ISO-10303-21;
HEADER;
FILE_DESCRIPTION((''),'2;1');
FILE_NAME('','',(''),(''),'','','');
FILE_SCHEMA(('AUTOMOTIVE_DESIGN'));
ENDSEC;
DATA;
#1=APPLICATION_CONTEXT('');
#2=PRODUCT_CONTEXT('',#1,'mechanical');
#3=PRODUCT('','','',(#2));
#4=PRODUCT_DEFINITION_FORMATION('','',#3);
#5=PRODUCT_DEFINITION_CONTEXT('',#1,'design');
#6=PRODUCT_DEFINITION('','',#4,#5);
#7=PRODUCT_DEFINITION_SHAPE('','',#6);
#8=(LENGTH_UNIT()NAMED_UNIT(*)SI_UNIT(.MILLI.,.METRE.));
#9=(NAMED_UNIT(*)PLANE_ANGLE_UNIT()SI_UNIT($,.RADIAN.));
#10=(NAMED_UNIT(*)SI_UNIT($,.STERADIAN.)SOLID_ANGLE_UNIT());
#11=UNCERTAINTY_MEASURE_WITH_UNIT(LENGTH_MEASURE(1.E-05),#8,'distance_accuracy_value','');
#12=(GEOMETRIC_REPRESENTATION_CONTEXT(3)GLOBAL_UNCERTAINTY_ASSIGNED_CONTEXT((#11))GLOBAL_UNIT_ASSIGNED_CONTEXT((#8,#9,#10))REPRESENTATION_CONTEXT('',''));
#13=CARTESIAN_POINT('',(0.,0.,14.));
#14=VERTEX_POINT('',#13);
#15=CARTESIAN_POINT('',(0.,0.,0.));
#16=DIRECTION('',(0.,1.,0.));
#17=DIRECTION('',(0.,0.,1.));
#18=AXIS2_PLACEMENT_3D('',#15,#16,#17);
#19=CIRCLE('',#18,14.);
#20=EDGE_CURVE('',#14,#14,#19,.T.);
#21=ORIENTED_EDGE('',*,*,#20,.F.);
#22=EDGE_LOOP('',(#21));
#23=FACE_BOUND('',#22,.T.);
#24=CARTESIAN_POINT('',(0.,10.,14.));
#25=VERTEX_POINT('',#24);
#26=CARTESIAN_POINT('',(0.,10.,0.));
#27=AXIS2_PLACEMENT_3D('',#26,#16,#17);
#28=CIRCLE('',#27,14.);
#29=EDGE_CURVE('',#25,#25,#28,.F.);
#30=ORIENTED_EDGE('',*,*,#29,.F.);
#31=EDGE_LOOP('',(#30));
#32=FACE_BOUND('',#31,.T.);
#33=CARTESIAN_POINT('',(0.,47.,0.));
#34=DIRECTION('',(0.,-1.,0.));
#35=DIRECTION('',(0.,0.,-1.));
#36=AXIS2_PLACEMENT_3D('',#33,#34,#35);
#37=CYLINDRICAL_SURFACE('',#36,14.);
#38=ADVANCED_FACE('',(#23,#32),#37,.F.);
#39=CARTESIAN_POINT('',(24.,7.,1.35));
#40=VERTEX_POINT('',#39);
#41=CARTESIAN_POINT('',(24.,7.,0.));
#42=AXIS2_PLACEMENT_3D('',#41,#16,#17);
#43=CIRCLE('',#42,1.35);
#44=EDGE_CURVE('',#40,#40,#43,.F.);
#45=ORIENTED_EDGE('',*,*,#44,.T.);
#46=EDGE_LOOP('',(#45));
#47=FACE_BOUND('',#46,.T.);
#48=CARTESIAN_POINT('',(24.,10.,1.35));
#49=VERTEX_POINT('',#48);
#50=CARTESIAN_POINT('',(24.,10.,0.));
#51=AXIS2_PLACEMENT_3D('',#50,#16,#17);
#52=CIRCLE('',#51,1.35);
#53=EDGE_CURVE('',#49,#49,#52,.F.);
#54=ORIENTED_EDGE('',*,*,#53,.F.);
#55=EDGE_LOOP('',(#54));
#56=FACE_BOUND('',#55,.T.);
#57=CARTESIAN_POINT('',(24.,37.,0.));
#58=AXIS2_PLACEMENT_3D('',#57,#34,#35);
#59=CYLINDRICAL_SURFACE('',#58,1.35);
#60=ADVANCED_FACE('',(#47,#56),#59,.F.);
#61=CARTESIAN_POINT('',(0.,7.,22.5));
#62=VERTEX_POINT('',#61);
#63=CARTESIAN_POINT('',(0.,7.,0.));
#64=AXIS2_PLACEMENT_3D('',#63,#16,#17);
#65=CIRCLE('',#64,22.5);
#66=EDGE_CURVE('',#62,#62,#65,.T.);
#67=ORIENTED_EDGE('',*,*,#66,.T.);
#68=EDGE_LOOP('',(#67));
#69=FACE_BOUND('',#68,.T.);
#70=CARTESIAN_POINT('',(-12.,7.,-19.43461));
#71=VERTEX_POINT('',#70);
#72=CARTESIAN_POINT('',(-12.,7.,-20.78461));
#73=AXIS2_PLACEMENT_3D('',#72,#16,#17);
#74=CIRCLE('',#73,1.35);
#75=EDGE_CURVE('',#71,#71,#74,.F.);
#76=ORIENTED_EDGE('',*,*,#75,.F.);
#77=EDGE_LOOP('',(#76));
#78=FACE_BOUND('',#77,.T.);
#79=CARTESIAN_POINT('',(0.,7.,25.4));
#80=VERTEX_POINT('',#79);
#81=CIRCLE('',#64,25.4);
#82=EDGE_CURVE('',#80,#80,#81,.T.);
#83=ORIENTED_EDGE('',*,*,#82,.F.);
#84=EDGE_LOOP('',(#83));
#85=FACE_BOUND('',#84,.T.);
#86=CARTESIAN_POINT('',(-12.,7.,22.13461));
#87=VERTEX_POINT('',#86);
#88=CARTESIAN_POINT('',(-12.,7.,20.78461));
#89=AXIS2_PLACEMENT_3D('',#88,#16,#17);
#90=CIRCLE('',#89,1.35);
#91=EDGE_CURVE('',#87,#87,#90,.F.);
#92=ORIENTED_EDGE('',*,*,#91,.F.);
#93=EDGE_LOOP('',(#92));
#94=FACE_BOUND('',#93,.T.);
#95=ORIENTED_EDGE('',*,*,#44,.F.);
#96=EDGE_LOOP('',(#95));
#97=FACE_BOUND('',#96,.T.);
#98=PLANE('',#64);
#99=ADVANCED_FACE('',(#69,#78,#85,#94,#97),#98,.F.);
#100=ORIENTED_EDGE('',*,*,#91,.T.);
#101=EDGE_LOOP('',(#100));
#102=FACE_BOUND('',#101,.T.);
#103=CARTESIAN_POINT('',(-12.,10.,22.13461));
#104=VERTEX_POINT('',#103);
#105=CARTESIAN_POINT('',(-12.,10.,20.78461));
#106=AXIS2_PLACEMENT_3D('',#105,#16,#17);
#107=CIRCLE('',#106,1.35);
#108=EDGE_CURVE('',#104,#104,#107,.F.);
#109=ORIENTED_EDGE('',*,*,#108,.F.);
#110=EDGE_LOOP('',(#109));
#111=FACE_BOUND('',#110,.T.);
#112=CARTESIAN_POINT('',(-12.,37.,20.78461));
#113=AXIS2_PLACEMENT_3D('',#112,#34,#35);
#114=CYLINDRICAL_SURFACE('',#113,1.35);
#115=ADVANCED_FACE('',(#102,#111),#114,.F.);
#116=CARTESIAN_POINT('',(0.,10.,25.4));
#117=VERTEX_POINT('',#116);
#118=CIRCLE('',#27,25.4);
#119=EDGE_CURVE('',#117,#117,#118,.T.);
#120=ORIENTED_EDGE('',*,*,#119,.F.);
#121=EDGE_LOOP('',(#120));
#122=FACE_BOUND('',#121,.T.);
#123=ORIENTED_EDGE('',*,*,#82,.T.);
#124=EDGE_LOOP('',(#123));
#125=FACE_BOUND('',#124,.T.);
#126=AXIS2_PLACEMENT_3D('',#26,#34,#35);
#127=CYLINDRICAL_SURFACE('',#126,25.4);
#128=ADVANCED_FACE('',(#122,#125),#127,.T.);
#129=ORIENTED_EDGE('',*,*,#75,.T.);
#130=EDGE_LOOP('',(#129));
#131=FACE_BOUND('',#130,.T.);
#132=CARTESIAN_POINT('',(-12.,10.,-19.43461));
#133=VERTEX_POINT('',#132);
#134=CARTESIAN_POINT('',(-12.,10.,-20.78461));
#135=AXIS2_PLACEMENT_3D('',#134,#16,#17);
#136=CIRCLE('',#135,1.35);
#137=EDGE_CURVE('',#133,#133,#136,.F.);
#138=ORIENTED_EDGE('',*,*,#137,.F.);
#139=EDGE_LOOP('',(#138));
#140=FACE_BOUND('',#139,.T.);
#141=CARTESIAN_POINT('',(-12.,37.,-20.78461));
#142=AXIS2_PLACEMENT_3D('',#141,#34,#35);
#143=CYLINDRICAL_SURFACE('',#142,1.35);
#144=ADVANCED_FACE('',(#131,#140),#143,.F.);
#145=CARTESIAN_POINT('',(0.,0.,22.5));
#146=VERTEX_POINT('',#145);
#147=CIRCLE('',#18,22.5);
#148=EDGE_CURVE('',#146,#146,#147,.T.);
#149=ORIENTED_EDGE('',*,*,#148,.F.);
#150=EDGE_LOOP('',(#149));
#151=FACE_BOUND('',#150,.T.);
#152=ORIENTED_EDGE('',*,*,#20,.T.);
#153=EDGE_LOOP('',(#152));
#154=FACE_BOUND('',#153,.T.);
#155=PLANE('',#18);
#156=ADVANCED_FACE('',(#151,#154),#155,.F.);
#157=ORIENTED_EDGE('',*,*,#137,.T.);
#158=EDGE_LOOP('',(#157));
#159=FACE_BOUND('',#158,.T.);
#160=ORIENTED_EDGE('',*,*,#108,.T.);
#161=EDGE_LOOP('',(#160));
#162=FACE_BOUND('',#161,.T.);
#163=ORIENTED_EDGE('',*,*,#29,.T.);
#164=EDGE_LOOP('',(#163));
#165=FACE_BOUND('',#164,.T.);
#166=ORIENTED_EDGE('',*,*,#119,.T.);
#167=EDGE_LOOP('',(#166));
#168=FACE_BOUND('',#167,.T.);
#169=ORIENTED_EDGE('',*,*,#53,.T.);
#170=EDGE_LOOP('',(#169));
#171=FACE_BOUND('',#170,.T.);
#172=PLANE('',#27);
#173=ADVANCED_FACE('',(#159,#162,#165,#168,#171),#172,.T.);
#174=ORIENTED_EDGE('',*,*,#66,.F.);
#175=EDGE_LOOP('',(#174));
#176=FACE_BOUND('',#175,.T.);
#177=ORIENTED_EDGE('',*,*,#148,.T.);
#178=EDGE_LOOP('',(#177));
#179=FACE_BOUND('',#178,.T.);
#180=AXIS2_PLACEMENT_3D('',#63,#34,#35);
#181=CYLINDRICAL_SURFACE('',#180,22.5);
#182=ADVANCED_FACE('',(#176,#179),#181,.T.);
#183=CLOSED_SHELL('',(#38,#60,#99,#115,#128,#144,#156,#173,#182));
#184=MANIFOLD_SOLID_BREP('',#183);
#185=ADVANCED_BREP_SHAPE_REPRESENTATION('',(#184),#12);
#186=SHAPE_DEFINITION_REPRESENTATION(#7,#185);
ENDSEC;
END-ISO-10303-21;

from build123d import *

# Parameters (mm, degrees)
CROQUIS1_R              = 25.4
SALIENTE_EXTRUIR2_DEPTH = 10
CROQUIS4_R              = 14
CORTAR_EXTRUIR2_DEPTH   = 47
CROQUIS5_R              = 25.4
CROQUIS5_R_2            = 22.5
CORTAR_EXTRUIR4_DEPTH   = 7
CROQUIS6_R              = 1.35
CORTAR_EXTRUIR5_DEPTH   = 37


with BuildPart() as part:
    # Croquis1 → Saliente-Extruir2 (new body)
    with BuildSketch(Plane(origin=(0, 0, 0), x_dir=(1, 0, 0), z_dir=(0, 1, 0))):
        Circle(CROQUIS1_R)
    extrude(amount=SALIENTE_EXTRUIR2_DEPTH)

    # Croquis4 → Cortar-Extruir2 (cut)
    with BuildSketch(Plane(origin=(0, 0, 0), x_dir=(1, 0, 0), z_dir=(0, 1, 0))):
        Circle(CROQUIS4_R)
    extrude(amount=CORTAR_EXTRUIR2_DEPTH, mode=Mode.SUBTRACT)

    # Croquis5 → Cortar-Extruir4 (cut)
    with BuildSketch(Plane(origin=(0, 0, 0), x_dir=(1, 0, 0), z_dir=(0, 1, 0))):
        Circle(CROQUIS5_R)
        Circle(CROQUIS5_R_2, mode=Mode.SUBTRACT)
    extrude(amount=CORTAR_EXTRUIR4_DEPTH, mode=Mode.SUBTRACT)

    # Croquis6 → Cortar-Extruir5 (cut)
    with BuildSketch(Plane(origin=(0, 0, 0), x_dir=(1, 0, 0), z_dir=(0, 1, 0))):
        with Locations((24, 0)):
            Circle(CROQUIS6_R)
        with Locations((-12, -20.784609691)):
            Circle(CROQUIS6_R)
        with Locations((-12, 20.784609691)):
            Circle(CROQUIS6_R)
    extrude(amount=CORTAR_EXTRUIR5_DEPTH, mode=Mode.SUBTRACT)


solid = part.part
